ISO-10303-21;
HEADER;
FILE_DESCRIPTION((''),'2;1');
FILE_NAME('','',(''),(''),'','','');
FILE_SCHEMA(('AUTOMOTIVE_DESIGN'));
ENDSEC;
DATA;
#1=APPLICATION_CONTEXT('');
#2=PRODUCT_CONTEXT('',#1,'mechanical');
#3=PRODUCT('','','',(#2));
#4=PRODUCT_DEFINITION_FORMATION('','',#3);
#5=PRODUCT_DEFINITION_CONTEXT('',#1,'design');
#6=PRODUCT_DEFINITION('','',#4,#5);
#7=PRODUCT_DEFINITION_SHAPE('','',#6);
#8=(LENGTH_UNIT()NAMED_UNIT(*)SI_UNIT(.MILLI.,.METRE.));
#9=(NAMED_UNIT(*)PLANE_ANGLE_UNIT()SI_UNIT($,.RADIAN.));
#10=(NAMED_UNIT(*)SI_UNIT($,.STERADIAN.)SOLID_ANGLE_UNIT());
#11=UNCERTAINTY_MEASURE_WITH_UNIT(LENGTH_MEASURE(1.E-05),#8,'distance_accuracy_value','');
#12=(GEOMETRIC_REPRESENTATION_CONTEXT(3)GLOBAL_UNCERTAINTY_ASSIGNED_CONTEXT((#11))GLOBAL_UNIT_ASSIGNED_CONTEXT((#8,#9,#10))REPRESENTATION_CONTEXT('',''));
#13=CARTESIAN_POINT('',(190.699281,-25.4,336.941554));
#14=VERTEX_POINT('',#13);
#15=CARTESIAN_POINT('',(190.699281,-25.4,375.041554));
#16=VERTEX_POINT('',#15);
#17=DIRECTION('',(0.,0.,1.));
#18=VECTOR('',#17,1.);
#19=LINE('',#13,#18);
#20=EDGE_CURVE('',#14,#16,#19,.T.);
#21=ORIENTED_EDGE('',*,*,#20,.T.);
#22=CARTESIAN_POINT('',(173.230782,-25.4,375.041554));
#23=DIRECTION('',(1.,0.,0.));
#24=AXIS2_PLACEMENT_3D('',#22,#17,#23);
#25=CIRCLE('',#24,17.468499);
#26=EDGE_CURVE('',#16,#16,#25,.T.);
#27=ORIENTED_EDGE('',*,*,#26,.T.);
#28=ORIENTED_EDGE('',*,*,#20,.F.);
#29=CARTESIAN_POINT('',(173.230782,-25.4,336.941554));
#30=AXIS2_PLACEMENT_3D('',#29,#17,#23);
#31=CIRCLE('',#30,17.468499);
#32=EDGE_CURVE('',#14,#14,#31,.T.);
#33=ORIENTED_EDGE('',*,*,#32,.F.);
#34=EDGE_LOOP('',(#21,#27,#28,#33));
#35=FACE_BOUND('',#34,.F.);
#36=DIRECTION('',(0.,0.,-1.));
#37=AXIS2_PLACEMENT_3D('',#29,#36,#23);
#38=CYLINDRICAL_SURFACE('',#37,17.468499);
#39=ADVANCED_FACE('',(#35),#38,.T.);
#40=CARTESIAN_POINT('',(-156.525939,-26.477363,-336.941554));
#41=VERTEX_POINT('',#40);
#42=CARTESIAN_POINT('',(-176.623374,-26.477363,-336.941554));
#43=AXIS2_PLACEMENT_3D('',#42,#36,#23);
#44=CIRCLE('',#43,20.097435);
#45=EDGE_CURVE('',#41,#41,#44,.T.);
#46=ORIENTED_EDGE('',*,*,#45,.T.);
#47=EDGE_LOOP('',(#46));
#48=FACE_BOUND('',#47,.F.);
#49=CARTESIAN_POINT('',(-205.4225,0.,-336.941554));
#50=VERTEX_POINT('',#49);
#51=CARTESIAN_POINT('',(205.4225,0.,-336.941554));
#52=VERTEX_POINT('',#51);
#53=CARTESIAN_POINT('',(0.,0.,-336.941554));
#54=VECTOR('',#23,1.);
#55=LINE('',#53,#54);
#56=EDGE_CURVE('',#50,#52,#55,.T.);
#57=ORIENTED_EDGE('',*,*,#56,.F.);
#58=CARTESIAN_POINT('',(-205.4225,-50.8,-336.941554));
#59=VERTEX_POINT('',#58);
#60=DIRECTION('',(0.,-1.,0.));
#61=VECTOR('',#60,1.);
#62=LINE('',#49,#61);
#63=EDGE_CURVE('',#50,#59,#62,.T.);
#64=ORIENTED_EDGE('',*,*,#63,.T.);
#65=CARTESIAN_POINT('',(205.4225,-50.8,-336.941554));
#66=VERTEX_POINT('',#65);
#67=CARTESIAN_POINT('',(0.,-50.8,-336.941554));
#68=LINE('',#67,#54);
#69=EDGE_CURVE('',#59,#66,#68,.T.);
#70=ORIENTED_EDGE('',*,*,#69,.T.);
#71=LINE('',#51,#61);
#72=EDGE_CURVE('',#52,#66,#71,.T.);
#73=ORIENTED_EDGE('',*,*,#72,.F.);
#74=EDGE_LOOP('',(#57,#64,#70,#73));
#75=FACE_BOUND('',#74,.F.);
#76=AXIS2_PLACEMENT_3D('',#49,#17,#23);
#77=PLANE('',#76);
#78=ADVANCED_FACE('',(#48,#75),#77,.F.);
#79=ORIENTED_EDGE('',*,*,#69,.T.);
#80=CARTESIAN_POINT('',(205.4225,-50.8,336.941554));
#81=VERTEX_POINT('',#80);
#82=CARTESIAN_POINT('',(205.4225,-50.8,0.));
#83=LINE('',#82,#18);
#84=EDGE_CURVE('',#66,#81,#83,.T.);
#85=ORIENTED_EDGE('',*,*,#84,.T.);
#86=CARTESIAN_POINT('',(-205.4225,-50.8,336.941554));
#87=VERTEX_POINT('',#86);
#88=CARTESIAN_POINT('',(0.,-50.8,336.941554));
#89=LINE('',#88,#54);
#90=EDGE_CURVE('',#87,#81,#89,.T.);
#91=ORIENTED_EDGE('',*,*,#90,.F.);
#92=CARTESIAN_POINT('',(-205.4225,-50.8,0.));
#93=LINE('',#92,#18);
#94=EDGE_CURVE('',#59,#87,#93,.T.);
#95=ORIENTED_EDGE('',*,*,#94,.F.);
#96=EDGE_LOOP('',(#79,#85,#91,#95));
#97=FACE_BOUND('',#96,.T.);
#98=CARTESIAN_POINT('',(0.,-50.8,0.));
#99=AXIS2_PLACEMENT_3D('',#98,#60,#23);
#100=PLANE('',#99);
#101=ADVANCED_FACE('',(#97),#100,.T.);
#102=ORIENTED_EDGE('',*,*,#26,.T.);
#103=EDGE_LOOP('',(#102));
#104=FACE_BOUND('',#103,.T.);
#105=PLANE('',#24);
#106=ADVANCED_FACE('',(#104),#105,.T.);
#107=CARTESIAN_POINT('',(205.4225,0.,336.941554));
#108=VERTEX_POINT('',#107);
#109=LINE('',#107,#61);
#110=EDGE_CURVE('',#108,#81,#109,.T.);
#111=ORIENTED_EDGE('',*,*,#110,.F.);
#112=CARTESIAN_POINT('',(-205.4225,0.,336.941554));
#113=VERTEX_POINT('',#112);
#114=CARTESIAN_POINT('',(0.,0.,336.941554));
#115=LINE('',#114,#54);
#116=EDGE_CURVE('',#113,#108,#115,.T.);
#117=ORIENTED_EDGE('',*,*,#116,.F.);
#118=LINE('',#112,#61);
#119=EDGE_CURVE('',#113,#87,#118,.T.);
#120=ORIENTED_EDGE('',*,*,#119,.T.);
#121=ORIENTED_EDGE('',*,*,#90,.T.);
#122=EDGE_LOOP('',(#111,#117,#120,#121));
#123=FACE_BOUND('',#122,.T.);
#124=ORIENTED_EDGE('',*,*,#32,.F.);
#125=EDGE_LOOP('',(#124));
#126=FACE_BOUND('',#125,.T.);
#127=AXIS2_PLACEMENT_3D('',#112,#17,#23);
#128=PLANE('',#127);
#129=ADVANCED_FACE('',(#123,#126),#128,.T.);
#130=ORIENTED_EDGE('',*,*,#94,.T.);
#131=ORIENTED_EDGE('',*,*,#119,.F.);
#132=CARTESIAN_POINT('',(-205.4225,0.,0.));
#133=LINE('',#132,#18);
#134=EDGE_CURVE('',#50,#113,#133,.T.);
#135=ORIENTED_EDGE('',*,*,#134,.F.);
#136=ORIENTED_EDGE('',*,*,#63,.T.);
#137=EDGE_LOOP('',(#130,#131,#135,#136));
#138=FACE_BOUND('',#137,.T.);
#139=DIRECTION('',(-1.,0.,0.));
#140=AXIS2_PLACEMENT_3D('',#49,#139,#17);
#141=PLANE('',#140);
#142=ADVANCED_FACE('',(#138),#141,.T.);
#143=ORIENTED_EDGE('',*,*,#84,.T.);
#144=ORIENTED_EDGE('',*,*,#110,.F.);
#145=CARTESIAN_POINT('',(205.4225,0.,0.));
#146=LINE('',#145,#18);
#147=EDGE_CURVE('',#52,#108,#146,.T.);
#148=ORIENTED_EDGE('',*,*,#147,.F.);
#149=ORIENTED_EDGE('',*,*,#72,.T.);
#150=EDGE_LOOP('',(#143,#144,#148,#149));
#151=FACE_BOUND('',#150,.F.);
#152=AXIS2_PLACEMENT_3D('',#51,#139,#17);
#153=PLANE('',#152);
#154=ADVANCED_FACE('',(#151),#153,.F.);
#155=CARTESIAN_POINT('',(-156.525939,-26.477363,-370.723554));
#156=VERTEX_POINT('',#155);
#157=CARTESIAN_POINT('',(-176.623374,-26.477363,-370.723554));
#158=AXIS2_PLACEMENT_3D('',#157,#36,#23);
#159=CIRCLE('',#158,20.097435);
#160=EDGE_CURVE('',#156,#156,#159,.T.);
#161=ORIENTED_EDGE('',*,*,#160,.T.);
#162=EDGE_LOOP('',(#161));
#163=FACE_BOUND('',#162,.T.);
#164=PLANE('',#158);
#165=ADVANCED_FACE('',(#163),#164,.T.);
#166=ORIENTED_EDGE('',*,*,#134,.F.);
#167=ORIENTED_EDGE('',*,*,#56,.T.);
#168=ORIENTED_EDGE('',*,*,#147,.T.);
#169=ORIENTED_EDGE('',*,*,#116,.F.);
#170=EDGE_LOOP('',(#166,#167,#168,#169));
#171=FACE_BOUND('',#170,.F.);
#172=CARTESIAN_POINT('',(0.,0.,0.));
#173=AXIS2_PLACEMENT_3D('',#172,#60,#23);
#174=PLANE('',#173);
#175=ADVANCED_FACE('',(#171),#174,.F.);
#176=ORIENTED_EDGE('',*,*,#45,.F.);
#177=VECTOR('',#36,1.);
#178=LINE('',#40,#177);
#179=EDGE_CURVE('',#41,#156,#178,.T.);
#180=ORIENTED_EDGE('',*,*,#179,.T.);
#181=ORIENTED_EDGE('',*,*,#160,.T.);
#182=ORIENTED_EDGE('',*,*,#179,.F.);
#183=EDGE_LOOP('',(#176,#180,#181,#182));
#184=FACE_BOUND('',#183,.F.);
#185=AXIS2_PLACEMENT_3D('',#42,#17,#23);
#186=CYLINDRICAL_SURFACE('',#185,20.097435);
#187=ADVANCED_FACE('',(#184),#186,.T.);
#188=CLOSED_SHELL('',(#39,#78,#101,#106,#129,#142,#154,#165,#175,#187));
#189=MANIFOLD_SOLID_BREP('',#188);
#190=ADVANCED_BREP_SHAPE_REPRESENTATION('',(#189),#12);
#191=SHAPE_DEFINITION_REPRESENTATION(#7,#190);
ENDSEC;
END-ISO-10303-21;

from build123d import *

# Parameters (mm, degrees)
F0_W     = 410.845
F0_H     = 673.883108
F1_DEPTH = 50.8
F2_R     = 20.097435
F3_DEPTH = 33.782
F4_R     = 17.468499
F5_DEPTH = 38.1


with BuildPart() as f1:
    # F0 (on Front) → F1 (new body)
    with BuildSketch(Plane.XZ):
        Rectangle(F0_W, F0_H)
    extrude(amount=F1_DEPTH)

    # F2 (on face) → F3 (join)
    with BuildSketch(Plane(origin=(0, 0, -336.941554), x_dir=(1, 0, 0), z_dir=(0, 0, -1))):
        with Locations((-176.623374, 26.477363)):
            Circle(F2_R)
    extrude(amount=F3_DEPTH)

    # F4 (on face) → F5 (join)
    with BuildSketch(Plane.XY.offset(336.941554)):
        with Locations((173.230782, -25.4)):
            Circle(F4_R)
    extrude(amount=F5_DEPTH)


solid = f1.part
